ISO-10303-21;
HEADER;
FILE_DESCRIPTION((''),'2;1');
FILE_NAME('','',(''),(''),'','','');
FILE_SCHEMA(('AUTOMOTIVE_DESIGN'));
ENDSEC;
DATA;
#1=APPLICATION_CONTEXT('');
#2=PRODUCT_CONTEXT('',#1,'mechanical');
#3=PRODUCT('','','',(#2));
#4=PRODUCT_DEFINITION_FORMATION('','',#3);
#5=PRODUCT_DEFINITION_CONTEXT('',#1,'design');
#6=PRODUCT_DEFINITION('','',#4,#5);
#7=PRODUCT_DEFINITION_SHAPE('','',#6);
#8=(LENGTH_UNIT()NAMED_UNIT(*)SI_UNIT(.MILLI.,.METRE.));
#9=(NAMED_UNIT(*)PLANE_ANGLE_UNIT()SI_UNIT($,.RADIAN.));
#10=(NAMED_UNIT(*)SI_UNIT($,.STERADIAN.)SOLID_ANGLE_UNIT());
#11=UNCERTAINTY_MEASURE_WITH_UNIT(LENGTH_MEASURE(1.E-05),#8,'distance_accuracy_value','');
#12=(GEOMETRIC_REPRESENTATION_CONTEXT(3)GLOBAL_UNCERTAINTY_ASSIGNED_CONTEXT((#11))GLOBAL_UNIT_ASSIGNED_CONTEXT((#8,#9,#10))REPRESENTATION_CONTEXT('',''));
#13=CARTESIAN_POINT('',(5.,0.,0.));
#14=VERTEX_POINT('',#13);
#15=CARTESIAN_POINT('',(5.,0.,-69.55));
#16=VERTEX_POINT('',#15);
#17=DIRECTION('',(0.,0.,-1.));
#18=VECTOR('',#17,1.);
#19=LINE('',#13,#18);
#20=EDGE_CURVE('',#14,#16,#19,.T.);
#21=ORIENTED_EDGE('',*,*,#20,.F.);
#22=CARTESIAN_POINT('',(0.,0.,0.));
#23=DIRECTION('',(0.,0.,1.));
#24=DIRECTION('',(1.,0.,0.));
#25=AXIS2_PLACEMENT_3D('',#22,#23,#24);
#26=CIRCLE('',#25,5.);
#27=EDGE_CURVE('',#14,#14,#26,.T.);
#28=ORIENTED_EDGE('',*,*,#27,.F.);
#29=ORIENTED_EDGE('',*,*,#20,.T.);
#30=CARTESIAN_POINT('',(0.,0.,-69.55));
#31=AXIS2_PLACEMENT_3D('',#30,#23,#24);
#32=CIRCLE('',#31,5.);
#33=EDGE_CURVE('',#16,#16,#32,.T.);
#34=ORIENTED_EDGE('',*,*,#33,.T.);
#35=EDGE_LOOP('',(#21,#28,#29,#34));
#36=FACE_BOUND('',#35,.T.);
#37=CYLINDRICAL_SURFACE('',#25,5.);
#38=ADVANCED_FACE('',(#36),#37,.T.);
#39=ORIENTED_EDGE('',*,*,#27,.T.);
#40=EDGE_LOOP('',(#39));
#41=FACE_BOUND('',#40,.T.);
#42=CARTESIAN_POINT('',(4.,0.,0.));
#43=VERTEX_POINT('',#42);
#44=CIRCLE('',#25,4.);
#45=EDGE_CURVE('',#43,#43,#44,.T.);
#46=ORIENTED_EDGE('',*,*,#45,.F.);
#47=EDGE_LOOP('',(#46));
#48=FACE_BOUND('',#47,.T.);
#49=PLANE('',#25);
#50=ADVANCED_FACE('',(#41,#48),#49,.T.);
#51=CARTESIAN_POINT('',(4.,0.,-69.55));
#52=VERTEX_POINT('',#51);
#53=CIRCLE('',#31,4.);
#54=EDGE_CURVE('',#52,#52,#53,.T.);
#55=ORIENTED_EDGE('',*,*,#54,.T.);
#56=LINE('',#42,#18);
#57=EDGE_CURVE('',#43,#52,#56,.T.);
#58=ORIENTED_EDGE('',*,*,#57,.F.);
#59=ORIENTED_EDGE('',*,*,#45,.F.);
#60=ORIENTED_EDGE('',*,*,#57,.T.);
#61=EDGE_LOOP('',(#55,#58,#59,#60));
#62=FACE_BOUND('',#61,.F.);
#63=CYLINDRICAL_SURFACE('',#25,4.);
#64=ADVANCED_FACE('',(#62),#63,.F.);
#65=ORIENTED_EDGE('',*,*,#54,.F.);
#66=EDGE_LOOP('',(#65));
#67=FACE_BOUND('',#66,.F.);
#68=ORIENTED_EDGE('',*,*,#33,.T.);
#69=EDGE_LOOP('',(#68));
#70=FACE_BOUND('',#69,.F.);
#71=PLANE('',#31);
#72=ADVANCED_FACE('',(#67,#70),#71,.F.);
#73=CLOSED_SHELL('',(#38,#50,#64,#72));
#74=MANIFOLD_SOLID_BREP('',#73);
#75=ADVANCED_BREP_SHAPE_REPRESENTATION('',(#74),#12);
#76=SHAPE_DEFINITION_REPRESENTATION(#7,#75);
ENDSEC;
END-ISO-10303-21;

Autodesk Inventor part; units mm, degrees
ref_plane "YZ Plane" through (0, 0, 0) normal (1, 0, 0) x (0, 1, 0)
ref_plane "XZ Plane" through (0, 0, 0) normal (0, 1, 0) x (-1, 0, 0)
ref_plane "XY Plane" through (0, 0, 0) normal (0, 0, 1) x (1, 0, 0)
sketch "スケッチ2" plane through (0, 0, 0) normal (0, 0, 1) x (1, 0, 0)
  circle A0 centre (0, 0) radius 4
  circle A1 centre (0, 0) radius 5
  dimension "d3" = 8
  dimension "d4" = 10
extrude "押し出し1" add sketch "スケッチ2" against normal blind 69.55
properties part number "leg_pipe_cfrp" material "CFRP"
